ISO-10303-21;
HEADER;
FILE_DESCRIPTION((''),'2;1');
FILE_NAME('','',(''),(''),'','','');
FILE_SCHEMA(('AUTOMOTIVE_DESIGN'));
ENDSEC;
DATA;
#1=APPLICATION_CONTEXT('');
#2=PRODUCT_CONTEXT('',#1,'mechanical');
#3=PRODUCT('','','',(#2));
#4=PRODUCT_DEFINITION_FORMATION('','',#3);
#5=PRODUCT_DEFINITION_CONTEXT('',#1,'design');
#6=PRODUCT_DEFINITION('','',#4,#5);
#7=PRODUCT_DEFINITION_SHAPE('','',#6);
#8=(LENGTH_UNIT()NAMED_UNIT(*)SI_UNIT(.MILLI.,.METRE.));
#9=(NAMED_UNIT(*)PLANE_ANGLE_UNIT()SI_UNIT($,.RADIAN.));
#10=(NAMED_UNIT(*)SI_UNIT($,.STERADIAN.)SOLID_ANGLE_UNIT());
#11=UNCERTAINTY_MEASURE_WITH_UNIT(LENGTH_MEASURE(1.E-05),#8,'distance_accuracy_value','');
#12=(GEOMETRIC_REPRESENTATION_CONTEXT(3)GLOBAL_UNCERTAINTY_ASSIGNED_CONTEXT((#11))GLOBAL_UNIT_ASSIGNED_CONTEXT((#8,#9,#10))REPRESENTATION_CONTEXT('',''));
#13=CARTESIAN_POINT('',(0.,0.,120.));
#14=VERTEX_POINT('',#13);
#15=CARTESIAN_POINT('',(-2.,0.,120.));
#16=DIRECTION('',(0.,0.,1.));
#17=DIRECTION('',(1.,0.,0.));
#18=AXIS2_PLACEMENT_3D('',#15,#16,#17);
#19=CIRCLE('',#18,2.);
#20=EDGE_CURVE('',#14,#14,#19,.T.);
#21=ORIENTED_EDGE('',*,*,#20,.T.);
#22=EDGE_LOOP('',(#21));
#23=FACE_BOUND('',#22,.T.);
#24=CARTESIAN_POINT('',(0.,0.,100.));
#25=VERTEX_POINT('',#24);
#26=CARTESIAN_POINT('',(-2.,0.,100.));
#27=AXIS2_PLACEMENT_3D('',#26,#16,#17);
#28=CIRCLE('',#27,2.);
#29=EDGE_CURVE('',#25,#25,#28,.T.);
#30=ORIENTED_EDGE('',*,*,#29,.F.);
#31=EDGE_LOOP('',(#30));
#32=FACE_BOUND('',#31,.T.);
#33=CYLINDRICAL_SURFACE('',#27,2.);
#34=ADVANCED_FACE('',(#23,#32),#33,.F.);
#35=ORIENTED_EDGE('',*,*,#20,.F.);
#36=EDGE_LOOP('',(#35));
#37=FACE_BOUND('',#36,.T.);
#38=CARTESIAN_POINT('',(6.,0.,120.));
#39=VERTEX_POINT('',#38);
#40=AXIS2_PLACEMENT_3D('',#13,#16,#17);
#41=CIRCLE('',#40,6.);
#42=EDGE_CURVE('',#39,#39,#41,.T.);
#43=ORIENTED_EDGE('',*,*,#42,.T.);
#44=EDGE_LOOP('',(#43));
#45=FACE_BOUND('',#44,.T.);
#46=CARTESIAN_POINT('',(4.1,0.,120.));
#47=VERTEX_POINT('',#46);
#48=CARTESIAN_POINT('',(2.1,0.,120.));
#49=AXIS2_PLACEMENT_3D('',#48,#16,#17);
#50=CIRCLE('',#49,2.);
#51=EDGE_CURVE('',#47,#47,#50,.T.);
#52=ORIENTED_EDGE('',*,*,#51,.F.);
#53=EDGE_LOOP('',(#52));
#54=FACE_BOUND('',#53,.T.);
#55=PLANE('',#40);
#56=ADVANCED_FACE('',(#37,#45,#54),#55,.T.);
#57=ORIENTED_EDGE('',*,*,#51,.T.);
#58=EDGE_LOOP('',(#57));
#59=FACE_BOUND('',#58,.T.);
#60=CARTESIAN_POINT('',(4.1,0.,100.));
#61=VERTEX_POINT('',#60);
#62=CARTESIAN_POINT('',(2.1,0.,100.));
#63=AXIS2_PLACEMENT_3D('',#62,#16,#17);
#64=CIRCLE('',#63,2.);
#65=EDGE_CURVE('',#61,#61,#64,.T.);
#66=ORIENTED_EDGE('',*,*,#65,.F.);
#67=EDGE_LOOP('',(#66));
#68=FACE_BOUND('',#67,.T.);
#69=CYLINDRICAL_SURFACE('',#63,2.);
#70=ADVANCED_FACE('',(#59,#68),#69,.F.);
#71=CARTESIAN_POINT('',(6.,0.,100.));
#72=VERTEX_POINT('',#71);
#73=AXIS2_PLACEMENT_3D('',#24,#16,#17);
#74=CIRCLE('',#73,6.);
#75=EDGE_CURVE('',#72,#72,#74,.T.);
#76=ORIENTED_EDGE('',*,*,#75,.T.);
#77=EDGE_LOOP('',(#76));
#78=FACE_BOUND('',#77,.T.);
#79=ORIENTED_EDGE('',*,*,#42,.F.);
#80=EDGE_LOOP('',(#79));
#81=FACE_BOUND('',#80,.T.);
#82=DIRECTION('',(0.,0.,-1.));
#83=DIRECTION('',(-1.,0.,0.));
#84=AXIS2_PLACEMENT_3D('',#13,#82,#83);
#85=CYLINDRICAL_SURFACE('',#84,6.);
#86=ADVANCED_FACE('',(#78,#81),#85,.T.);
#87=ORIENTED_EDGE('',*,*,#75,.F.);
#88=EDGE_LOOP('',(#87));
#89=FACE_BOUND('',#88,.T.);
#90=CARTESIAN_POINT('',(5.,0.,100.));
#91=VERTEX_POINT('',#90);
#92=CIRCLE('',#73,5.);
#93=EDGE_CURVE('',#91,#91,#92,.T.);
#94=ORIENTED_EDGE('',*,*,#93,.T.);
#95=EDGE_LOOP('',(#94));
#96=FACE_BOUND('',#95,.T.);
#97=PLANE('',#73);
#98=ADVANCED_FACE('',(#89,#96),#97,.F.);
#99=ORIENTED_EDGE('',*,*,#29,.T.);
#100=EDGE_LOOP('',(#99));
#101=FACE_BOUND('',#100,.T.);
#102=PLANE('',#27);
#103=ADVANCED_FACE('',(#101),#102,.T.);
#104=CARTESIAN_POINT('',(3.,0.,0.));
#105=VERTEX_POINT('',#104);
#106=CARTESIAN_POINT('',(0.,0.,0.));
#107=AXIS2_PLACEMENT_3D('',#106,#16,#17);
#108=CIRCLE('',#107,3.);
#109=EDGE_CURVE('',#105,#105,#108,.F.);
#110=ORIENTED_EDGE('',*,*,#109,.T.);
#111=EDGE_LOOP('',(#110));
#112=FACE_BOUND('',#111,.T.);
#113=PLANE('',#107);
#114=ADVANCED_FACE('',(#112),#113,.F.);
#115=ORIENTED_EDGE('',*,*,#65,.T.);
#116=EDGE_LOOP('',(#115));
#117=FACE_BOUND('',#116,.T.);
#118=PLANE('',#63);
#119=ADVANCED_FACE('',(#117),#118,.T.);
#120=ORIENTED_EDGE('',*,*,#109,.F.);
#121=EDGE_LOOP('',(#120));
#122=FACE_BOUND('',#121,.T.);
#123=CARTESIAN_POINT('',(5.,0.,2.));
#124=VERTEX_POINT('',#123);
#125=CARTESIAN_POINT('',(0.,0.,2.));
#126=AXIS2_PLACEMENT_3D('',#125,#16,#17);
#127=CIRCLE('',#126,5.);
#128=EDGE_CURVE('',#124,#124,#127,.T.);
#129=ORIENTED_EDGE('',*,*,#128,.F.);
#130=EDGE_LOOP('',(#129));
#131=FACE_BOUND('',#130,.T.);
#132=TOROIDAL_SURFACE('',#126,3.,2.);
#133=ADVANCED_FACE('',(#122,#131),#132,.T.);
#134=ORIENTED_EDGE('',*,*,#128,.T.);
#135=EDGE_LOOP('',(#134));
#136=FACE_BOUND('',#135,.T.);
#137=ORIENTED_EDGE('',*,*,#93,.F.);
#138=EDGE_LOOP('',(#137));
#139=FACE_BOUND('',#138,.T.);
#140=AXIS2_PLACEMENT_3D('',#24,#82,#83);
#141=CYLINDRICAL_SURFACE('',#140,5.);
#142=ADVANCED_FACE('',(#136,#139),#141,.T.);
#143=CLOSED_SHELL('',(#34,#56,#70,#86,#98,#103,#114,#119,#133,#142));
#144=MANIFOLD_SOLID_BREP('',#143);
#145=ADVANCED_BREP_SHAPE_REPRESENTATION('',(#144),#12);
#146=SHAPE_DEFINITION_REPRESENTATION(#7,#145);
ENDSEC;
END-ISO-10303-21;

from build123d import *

# Parameters (mm, degrees)
SKETCH1_R           = 5
BOSS_EXTRUDE1_DEPTH = 100
FILLET3_R           = 2
SKETCH2_R           = 6
BOSS_EXTRUDE2_DEPTH = 20
SKETCH3_R           = 2
CUT_EXTRUDE2_DEPTH  = 20


with BuildPart() as part:
    # Sketch1 → Boss-Extrude1 (new body)
    with BuildSketch(Plane.XY):
        Circle(SKETCH1_R)
    extrude(amount=BOSS_EXTRUDE1_DEPTH)

    # Fillet3
    fillet3_edges = [part.edges().sort_by_distance(p)[0] for p in [
        (-5, 0, 0),
    ]]
    fillet(fillet3_edges, radius=FILLET3_R)

    # Sketch2 → Boss-Extrude2 (add)
    with BuildSketch(Plane.XY.offset(100)):
        Circle(SKETCH2_R)
    extrude(amount=BOSS_EXTRUDE2_DEPTH)

    # Sketch3 → Cut-Extrude2 (cut)
    with BuildSketch(Plane.XY.offset(120)):
        with Locations((-2, 0)):
            Circle(SKETCH3_R)
        with Locations((2.1, 0)):
            Circle(SKETCH3_R)
    extrude(amount=-CUT_EXTRUDE2_DEPTH, mode=Mode.SUBTRACT)


solid = part.part
